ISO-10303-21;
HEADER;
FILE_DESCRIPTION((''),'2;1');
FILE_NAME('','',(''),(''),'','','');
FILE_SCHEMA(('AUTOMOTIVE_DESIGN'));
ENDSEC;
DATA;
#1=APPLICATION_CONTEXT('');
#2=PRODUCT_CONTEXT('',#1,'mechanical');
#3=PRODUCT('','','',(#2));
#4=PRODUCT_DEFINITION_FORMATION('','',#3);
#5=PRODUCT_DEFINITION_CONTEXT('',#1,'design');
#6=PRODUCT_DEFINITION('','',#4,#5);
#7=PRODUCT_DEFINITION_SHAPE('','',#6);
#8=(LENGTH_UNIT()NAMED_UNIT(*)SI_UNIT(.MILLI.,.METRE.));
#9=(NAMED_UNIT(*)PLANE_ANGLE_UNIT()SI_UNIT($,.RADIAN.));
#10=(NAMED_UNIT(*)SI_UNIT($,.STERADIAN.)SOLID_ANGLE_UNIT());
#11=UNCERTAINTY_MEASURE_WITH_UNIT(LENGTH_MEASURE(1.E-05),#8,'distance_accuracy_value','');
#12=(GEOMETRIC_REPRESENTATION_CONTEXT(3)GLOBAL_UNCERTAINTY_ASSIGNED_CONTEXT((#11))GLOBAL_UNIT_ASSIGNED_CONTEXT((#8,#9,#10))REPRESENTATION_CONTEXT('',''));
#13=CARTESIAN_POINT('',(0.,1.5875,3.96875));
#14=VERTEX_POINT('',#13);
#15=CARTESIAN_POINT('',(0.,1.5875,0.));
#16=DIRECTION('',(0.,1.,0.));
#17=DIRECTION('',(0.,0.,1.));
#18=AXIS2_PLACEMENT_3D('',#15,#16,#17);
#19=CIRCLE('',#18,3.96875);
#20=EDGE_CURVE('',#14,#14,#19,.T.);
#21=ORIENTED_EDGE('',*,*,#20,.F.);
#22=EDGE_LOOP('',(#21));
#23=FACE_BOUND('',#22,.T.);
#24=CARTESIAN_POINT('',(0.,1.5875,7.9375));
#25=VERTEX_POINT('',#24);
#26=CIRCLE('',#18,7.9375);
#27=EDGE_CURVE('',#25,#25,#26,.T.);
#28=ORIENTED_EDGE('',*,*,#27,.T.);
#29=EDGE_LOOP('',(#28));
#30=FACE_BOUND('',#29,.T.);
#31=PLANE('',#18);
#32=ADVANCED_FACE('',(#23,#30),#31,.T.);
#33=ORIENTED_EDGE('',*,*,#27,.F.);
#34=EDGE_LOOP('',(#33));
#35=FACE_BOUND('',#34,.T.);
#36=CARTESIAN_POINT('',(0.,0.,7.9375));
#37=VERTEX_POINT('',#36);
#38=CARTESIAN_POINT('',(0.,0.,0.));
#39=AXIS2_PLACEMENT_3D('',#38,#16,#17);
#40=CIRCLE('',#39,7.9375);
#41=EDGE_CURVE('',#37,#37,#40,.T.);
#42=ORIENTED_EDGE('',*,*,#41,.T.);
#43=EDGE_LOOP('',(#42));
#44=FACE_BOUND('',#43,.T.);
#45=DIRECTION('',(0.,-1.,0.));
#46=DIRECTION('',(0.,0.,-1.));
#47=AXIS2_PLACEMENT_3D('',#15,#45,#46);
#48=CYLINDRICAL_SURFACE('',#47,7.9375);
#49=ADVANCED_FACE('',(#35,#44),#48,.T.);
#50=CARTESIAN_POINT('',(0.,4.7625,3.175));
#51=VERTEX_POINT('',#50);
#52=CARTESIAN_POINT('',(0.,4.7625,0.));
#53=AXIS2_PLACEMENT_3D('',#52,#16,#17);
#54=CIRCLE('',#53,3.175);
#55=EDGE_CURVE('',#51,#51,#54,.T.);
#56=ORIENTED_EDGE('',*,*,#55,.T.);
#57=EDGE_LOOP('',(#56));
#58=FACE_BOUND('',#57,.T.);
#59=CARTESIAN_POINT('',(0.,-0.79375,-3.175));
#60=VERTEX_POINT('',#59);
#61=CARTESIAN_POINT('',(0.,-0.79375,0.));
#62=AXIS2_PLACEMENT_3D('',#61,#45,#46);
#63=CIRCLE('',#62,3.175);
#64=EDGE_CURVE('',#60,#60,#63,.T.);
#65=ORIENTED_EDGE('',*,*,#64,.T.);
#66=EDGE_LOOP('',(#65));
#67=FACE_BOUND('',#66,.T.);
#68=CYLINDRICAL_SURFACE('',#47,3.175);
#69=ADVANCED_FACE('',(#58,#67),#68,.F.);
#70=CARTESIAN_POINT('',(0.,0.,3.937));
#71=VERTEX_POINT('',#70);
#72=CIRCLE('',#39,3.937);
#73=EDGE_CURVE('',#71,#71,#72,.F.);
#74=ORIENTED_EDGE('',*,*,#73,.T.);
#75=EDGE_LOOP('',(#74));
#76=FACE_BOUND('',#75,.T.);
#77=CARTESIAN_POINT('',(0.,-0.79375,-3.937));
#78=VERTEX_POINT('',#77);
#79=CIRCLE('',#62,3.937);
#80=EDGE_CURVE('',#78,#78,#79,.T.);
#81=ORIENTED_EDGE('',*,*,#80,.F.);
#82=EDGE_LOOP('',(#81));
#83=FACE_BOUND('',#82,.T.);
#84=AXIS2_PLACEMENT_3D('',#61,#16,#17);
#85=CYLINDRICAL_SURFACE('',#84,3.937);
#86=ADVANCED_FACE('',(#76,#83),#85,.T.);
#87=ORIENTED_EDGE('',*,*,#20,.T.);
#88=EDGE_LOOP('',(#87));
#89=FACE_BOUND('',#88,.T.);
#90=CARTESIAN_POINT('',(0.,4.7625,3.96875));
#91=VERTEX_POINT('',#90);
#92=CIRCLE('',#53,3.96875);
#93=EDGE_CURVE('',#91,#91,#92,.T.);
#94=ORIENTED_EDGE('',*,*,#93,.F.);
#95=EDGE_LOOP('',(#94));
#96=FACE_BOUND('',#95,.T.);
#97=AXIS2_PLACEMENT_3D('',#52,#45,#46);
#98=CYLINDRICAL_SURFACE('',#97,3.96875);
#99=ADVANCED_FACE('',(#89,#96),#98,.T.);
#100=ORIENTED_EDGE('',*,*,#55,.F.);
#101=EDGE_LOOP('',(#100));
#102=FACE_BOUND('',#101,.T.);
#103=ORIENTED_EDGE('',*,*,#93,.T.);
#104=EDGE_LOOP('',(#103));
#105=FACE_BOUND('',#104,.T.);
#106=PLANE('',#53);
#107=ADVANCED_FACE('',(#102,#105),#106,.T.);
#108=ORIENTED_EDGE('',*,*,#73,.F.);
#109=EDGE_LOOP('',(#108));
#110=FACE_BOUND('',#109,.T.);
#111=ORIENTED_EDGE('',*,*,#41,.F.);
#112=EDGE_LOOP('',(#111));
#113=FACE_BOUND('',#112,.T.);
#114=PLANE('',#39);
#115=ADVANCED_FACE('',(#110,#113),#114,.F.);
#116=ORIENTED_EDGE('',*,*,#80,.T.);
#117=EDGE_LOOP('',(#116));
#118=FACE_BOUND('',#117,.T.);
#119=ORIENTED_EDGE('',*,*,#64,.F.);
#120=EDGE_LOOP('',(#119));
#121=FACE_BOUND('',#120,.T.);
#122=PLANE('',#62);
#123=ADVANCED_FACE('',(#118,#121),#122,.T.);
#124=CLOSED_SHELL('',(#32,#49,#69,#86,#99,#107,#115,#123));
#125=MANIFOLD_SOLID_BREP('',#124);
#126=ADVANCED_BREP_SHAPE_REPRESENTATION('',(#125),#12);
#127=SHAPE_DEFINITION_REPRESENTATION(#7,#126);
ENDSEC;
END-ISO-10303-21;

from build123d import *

# Parameters (mm, degrees)
SKETCH1_R           = 7.9375
SKETCH1_R_2         = 3.175
BOSS_EXTRUDE1_DEPTH = 1.5875
SKETCH2_R           = 3.96875
SKETCH2_R_2         = 3.175
BOSS_EXTRUDE2_DEPTH = 3.175
SKETCH3_R           = 3.937
SKETCH3_R_2         = 3.175
BOSS_EXTRUDE3_DEPTH = 0.79375


with BuildPart() as part:
    # Sketch1 → Boss-Extrude1 (new body)
    with BuildSketch(Plane(origin=(0, 0, 0), x_dir=(1, 0, 0), z_dir=(0, 1, 0))):
        Circle(SKETCH1_R)
        Circle(SKETCH1_R_2, mode=Mode.SUBTRACT)
    extrude(amount=BOSS_EXTRUDE1_DEPTH)

    # Sketch2 → Boss-Extrude2 (add)
    with BuildSketch(Plane(origin=(0, 1.5875, 0), x_dir=(1, 0, 0), z_dir=(0, 1, 0))):
        Circle(SKETCH2_R)
        Circle(SKETCH2_R_2, mode=Mode.SUBTRACT)
    extrude(amount=BOSS_EXTRUDE2_DEPTH)

    # Sketch3 → Boss-Extrude3 (add)
    with BuildSketch(Plane.XZ):
        Circle(SKETCH3_R)
        Circle(SKETCH3_R_2, mode=Mode.SUBTRACT)
    extrude(amount=BOSS_EXTRUDE3_DEPTH)


solid = part.part
